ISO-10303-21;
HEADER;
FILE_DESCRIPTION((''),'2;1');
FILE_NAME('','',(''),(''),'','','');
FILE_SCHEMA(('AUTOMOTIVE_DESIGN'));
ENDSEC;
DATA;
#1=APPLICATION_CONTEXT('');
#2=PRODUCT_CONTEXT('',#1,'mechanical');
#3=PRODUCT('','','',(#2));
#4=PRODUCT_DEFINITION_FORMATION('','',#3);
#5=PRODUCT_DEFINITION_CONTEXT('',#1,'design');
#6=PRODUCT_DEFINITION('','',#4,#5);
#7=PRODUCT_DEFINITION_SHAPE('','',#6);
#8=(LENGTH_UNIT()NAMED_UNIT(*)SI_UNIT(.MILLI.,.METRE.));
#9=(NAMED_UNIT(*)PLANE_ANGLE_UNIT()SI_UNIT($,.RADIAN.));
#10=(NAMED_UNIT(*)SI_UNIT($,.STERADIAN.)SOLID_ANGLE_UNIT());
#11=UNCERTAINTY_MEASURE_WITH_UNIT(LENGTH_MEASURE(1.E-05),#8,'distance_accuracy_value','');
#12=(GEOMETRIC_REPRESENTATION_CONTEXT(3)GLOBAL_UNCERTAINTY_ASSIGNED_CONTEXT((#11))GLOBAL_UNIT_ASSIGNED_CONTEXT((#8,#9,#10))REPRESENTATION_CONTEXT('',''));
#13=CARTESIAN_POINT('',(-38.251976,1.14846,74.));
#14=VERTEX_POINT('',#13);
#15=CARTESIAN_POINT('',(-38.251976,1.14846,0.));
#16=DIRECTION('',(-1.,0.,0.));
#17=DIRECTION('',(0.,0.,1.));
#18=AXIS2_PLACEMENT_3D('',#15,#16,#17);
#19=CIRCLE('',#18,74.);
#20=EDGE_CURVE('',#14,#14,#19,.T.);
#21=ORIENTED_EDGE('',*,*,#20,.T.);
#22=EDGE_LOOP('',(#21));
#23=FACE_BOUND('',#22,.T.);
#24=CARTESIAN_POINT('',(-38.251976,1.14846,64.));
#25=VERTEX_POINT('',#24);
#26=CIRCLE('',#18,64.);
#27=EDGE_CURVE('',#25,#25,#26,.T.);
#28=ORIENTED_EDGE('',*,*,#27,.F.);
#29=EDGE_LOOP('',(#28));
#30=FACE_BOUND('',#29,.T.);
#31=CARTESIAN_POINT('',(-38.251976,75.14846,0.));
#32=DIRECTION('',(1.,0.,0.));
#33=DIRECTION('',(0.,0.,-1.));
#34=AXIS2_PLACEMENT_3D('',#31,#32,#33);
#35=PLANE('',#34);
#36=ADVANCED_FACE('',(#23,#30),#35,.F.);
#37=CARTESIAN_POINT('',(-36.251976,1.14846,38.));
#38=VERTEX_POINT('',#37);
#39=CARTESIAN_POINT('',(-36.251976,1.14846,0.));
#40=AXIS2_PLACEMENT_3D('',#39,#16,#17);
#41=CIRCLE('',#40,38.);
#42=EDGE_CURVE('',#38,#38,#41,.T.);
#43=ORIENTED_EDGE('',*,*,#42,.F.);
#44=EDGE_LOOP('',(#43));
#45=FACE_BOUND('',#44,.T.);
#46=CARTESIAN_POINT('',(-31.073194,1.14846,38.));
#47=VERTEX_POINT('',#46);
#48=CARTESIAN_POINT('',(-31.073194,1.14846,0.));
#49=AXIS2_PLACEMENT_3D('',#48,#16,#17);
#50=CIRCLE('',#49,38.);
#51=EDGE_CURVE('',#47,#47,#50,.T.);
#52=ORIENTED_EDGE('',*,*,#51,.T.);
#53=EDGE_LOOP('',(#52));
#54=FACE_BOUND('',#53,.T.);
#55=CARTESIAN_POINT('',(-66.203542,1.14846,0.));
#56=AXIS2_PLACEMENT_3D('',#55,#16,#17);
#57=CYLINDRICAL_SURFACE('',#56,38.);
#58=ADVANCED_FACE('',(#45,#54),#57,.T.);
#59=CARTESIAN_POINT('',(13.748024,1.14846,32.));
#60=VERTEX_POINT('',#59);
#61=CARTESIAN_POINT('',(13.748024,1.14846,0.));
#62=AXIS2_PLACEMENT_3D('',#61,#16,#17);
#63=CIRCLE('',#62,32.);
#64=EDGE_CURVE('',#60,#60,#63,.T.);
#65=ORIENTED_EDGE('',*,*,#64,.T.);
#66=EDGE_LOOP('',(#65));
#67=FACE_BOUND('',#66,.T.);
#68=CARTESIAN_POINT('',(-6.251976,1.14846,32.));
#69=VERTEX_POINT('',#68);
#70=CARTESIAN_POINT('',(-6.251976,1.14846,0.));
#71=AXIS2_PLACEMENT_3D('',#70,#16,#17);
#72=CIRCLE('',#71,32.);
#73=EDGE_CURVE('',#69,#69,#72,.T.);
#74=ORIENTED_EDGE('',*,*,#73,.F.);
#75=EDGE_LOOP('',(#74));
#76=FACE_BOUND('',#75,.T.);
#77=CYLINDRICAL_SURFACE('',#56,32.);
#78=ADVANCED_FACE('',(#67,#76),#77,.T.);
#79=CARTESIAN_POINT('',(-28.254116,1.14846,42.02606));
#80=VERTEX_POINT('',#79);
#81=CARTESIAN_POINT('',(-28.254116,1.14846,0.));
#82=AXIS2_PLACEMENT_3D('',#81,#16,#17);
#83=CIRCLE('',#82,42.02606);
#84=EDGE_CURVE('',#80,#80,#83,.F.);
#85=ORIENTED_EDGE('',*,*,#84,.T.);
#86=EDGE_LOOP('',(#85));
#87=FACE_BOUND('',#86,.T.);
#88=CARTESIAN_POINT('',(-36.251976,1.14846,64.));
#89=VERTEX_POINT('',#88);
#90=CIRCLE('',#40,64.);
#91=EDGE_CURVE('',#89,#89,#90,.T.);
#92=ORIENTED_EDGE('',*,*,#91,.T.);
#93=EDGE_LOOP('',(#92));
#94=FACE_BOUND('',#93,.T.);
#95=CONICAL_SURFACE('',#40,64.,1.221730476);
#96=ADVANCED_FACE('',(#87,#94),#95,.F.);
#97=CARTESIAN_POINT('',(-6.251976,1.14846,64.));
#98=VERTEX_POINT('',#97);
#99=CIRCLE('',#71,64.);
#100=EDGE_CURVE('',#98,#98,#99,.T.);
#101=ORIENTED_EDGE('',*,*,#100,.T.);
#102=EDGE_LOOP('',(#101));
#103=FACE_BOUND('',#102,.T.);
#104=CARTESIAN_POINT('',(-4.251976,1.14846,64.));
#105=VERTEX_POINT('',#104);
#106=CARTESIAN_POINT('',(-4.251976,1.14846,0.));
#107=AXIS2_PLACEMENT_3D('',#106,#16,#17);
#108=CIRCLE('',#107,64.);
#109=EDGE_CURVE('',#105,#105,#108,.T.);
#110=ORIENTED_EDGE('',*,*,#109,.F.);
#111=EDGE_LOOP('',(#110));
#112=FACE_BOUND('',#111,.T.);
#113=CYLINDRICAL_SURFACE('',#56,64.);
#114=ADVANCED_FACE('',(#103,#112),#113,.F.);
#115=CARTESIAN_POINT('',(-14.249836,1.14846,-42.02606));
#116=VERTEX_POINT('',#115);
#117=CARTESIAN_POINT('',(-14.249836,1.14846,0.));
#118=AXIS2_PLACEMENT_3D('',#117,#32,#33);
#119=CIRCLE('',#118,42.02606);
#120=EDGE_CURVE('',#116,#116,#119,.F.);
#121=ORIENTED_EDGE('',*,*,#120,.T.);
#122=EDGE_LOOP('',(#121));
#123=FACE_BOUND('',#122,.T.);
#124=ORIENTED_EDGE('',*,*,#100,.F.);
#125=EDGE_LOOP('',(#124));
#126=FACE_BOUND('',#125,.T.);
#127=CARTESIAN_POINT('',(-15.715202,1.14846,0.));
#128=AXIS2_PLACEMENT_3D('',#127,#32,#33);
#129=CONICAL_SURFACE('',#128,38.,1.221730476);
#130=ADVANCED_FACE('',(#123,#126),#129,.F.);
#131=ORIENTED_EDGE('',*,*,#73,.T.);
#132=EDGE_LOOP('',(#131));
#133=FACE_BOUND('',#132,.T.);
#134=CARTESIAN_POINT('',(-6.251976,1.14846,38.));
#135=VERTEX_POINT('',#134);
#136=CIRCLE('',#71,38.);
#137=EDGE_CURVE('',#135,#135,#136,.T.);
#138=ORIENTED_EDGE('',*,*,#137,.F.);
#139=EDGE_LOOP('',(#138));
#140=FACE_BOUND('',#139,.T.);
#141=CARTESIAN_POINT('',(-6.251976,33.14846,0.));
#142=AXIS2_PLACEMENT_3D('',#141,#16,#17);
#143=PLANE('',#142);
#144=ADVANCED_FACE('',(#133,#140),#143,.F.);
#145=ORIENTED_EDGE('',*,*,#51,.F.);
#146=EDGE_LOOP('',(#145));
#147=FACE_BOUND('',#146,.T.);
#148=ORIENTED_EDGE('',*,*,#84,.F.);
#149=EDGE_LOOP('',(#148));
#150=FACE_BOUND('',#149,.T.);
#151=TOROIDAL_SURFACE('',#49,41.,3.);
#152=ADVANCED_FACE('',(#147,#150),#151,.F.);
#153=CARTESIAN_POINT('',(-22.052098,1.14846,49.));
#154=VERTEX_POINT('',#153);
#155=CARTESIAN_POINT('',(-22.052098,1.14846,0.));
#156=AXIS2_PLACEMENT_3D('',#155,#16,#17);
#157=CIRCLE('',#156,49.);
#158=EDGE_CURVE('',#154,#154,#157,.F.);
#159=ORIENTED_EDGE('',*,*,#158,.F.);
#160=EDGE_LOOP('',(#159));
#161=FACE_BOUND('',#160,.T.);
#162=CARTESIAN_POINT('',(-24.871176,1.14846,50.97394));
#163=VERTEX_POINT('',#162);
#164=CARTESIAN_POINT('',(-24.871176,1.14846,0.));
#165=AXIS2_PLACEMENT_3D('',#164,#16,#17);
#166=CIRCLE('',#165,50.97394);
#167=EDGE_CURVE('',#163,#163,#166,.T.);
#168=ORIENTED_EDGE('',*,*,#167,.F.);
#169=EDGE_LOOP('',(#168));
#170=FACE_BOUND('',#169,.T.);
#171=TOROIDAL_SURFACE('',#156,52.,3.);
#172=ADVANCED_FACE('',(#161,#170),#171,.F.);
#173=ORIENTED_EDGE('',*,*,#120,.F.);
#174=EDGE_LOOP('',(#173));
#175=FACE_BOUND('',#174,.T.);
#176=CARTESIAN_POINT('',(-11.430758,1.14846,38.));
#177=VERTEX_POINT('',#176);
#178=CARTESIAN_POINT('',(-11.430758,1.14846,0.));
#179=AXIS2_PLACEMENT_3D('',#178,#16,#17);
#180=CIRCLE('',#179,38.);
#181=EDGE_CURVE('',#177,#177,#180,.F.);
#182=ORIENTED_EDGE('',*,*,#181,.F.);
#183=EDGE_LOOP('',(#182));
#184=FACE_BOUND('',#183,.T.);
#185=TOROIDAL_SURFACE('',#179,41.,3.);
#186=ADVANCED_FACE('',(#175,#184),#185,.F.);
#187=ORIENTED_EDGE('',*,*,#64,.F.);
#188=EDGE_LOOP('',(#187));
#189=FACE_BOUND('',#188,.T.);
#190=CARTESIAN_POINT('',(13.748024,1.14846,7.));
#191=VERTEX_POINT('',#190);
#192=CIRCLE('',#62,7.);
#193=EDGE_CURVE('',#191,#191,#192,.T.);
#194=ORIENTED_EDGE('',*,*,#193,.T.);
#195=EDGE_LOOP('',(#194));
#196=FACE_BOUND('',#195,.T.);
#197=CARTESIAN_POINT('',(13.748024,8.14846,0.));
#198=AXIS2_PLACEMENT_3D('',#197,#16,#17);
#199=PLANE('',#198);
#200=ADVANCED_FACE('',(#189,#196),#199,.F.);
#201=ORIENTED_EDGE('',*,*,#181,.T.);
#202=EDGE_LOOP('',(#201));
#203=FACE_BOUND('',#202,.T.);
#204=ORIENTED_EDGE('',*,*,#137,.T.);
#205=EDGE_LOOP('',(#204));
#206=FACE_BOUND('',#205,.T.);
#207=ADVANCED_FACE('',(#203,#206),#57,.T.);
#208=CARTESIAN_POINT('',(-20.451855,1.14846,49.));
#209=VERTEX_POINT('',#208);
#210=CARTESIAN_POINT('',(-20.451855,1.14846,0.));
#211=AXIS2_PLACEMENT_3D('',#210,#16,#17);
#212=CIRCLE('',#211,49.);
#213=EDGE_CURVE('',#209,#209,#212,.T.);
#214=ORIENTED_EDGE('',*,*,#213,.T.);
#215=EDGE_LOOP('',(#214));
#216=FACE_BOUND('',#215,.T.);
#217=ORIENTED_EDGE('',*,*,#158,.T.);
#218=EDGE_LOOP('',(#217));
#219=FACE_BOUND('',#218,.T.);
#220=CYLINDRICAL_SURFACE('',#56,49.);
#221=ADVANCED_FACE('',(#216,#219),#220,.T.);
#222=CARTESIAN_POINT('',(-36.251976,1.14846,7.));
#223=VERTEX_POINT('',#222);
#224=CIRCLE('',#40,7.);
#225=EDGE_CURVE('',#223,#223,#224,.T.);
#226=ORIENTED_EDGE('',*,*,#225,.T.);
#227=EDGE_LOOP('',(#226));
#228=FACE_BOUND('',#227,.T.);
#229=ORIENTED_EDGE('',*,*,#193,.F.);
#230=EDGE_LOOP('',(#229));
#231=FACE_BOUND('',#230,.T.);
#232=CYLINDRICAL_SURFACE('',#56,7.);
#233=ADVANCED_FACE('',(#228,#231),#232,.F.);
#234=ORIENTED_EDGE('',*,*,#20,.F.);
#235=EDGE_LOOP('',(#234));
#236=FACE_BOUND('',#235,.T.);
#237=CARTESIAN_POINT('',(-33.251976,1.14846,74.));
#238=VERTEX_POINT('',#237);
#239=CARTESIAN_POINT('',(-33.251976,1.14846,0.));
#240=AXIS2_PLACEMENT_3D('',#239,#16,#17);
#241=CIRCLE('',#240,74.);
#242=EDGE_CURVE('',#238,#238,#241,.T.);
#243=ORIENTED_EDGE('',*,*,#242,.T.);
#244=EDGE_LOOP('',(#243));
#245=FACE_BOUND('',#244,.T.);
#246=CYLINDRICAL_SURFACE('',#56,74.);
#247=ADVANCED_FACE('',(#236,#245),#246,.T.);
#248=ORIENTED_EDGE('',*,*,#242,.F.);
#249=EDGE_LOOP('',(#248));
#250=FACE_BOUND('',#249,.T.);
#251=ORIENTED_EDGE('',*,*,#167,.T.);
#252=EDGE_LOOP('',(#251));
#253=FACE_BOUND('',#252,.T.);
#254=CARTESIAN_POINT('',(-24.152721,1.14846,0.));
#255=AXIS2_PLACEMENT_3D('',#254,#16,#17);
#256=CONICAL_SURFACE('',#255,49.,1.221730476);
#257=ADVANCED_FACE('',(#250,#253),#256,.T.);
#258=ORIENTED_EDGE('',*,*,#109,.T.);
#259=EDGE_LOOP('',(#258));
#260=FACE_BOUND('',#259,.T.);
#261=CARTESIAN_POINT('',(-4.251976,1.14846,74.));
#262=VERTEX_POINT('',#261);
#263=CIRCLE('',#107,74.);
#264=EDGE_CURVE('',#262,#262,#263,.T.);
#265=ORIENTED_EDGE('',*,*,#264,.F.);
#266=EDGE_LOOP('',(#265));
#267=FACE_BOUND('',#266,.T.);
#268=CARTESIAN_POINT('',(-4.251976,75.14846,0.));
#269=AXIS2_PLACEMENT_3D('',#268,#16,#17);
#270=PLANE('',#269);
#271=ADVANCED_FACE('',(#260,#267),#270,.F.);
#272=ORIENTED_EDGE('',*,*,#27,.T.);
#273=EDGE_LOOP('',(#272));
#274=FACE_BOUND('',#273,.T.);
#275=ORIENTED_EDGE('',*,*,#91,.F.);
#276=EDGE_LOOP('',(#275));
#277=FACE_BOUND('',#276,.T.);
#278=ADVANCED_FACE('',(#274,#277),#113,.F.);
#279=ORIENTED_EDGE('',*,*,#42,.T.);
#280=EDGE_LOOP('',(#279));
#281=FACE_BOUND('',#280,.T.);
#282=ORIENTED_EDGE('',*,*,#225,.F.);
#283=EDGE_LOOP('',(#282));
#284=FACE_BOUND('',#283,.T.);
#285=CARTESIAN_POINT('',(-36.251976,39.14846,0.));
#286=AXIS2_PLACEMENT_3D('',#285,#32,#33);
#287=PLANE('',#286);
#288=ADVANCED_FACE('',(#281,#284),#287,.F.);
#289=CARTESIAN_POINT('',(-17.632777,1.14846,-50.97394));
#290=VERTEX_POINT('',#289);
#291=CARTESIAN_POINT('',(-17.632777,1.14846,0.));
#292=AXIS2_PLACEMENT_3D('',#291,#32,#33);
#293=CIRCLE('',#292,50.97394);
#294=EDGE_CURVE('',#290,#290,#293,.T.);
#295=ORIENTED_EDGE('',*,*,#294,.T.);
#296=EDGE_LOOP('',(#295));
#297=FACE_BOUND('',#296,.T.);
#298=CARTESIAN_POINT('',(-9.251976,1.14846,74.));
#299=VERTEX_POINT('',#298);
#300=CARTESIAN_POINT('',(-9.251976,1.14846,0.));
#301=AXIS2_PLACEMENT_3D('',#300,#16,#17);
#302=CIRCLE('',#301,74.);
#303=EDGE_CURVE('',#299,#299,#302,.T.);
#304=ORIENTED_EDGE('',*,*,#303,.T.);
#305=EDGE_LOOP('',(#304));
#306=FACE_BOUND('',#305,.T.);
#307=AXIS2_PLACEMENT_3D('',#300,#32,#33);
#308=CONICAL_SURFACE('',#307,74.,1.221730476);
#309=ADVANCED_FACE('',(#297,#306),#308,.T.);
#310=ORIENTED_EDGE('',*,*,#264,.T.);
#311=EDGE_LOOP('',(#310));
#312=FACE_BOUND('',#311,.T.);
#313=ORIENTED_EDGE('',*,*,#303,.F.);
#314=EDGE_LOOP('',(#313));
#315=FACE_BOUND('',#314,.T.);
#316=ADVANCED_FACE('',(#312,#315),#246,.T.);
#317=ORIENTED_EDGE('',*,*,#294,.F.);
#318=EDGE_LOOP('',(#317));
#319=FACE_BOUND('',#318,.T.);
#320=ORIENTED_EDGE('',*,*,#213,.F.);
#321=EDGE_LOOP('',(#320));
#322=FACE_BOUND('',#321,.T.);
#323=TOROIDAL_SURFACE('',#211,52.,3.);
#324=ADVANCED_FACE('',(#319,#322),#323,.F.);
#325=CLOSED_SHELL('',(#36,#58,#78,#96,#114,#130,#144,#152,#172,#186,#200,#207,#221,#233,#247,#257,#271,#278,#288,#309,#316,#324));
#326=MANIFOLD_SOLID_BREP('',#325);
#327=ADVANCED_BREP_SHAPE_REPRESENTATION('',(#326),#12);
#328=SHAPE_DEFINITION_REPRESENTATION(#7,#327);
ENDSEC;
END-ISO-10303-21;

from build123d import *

# Parameters (mm, degrees)
FILLET2_R = 3


with BuildPart() as part:
    # Sketch1 → Revolve1 (revolve)
    with BuildSketch(Plane.XY):
        Polygon((-36.251976392, 8.148460305), (13.748023608, 8.148460305), (13.748023608, 33.148460305), (-6.251976392, 33.148460305), (-6.251976392, 39.148460305), (-15.715202483, 39.148460305), (-6.251976392, 65.148460305), (-4.251976392, 65.148460305), (-4.251976392, 75.148460305), (-9.251976392, 75.148460305), (-18.351232248, 50.148460305), (-24.152720535, 50.148460305), (-33.251976392, 75.148460305), (-38.251976392, 75.148460305), (-38.251976392, 65.148460305), (-36.251976392, 65.148460305), (-26.788750301, 39.148460305), (-36.251976392, 39.148460305), align=None)
    revolve(axis=Axis((-66.203541658, 1.148460305, 0), (1, 0, 0)))

    # Fillet2
    fillet2_edges = [part.edges().sort_by_distance(p)[0] for p in [
        (-26.788750301, -36.851539695, 0),
        (-24.152720535, -47.851539695, 0),
        (-18.351232248, -47.851539695, 0),
        (-15.715202483, -36.851539695, 0),
    ]]
    fillet(fillet2_edges, radius=FILLET2_R)


solid = part.part
